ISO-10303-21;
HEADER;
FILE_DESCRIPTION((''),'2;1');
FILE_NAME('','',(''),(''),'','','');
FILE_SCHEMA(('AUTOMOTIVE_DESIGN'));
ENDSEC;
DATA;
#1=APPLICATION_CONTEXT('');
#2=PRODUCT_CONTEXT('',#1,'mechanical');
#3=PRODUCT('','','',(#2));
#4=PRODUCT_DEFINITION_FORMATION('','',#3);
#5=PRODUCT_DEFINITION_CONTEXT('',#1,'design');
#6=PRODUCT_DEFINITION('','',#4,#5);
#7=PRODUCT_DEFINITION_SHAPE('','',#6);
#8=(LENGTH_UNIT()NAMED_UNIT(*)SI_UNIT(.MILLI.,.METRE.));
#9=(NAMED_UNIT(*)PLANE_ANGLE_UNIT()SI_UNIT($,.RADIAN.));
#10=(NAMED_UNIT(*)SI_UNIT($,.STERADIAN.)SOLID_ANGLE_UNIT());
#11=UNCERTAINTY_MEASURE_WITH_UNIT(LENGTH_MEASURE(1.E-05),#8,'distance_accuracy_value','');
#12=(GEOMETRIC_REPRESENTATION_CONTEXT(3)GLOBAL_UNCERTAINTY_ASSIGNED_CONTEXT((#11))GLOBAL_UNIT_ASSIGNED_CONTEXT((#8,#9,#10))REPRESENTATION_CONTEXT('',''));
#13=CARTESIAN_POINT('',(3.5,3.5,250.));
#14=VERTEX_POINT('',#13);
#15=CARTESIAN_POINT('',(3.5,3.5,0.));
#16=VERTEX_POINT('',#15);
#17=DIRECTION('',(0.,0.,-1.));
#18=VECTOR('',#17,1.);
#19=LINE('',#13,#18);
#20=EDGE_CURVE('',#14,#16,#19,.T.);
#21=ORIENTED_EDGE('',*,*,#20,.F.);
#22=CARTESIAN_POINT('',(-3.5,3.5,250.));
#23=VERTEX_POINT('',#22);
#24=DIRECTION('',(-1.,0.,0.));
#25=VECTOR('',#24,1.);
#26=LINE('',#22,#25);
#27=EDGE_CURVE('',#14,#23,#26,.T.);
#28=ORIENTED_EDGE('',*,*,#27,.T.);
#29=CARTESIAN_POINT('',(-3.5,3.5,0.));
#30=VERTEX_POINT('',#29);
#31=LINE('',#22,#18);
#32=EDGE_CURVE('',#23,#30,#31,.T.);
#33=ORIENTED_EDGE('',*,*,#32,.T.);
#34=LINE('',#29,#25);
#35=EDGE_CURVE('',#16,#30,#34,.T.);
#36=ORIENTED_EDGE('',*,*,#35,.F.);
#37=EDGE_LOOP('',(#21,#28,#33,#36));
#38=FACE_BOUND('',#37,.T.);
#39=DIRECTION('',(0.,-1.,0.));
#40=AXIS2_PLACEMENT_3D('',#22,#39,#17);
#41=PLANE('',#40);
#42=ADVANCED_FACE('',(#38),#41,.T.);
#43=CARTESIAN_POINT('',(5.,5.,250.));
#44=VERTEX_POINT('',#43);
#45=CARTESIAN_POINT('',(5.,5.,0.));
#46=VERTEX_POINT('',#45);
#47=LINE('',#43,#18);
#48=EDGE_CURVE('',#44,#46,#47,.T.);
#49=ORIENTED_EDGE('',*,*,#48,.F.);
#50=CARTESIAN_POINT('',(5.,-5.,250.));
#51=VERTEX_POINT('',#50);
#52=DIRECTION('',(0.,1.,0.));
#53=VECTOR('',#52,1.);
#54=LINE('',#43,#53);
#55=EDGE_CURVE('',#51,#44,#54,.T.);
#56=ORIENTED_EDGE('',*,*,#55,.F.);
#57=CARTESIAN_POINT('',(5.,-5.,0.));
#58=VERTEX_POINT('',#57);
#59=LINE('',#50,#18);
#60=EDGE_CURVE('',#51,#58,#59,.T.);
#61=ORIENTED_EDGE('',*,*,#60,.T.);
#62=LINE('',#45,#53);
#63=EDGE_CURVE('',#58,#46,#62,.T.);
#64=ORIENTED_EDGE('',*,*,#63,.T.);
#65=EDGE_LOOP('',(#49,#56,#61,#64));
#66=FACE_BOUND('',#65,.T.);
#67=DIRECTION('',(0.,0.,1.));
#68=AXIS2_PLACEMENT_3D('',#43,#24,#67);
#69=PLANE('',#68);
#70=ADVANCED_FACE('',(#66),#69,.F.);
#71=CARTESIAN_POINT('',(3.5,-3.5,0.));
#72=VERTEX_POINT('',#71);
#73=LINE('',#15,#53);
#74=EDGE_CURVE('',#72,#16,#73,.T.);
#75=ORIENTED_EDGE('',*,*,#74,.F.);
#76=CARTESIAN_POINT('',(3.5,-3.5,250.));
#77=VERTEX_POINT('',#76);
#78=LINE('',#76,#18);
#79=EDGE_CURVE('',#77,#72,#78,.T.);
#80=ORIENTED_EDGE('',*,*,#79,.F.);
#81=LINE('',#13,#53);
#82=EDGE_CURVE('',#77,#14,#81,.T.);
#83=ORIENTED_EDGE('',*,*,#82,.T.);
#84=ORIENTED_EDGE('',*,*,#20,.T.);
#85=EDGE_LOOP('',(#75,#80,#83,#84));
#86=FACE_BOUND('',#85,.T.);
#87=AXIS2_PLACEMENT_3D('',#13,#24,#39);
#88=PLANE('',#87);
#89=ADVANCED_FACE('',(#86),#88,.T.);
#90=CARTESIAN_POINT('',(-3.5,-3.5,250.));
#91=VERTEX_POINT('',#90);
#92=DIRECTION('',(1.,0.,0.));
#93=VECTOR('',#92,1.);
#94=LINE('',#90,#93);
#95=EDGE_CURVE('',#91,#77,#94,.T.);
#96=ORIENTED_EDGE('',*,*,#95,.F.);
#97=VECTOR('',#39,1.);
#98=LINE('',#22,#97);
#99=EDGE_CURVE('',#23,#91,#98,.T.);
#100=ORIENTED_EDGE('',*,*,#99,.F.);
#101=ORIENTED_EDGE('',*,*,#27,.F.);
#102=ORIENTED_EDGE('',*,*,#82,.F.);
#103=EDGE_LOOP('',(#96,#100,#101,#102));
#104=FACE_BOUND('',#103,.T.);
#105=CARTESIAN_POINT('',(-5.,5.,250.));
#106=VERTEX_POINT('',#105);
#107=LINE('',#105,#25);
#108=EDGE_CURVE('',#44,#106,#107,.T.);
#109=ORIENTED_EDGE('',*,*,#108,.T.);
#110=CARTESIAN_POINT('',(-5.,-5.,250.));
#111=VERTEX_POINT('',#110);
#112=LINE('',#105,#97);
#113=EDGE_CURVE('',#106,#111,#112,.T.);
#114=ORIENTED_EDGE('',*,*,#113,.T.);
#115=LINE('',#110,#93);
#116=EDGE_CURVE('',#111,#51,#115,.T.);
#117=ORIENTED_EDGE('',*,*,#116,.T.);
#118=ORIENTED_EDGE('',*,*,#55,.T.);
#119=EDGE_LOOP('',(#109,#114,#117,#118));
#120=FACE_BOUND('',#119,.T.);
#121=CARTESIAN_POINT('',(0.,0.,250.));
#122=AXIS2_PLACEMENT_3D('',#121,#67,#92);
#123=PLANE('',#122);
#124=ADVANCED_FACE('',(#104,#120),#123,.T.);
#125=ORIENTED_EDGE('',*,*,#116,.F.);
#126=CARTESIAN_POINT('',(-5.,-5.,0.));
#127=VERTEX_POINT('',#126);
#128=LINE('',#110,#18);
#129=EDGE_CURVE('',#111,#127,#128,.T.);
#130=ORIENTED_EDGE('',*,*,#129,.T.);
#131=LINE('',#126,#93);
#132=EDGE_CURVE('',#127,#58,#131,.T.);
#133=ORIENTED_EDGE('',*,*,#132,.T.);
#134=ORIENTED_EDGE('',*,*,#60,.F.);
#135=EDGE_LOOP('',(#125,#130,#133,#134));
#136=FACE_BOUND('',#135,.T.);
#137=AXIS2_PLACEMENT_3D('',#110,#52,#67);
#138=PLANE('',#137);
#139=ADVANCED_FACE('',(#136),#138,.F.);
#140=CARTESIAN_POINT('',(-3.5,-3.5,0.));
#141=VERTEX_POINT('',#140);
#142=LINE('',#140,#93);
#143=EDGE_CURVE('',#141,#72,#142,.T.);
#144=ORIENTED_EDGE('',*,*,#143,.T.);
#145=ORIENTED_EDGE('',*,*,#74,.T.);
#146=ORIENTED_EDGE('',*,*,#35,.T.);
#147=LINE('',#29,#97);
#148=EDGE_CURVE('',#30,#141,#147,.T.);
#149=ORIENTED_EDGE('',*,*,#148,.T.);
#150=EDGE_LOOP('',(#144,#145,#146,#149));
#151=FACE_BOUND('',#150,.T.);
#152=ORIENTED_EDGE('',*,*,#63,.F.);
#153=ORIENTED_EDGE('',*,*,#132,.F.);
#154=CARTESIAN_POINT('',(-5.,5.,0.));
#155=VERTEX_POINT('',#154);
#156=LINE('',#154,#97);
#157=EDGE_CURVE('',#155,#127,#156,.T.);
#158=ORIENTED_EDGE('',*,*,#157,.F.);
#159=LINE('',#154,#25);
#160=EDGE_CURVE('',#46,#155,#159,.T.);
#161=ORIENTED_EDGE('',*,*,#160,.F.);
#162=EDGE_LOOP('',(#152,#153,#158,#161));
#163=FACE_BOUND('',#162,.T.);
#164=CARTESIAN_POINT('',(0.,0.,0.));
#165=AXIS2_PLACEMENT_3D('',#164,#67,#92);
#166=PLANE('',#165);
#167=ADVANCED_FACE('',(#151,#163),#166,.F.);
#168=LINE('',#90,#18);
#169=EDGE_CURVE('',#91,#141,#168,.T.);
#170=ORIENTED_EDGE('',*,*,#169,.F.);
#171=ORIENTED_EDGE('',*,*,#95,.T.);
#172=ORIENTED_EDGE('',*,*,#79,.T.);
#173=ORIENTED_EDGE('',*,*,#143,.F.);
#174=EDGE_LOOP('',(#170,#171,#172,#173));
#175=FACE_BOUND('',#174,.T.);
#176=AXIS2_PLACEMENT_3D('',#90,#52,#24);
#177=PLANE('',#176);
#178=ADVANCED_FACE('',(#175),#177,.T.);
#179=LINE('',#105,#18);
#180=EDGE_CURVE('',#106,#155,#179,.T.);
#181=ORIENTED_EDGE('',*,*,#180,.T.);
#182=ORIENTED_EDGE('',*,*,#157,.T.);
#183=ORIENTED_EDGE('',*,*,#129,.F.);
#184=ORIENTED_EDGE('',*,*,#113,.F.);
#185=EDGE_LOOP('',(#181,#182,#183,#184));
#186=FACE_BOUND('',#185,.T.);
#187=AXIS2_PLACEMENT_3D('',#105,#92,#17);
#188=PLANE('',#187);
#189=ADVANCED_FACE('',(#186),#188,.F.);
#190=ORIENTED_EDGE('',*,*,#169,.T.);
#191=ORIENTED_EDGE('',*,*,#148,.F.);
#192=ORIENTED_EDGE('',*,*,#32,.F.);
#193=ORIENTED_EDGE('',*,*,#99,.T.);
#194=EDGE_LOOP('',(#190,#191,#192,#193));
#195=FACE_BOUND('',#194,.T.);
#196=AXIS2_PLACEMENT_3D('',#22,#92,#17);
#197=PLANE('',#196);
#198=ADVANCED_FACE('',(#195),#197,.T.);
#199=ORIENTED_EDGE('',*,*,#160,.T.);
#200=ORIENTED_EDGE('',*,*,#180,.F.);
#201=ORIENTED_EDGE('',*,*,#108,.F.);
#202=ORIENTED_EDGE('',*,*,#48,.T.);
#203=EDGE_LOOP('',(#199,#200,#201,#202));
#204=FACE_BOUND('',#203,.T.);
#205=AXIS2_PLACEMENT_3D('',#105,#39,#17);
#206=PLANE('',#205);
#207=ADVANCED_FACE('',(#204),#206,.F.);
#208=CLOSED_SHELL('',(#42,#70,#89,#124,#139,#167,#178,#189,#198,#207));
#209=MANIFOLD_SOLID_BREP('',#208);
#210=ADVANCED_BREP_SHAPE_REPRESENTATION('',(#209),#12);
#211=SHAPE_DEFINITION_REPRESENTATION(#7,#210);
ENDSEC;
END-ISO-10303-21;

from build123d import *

# Parameters (mm, degrees)
SKETCH_1_W      = 10
SKETCH_1_H      = 10
SKETCH_1_W_2    = 7
SKETCH_1_H_2    = 7
EXTRUDE_1_DEPTH = 250


with BuildPart() as part:
    # 草图1 → 凸台-拉伸1 (new body)
    with BuildSketch(Plane.XY):
        Rectangle(SKETCH_1_W, SKETCH_1_H)
        Rectangle(SKETCH_1_W_2, SKETCH_1_H_2, mode=Mode.SUBTRACT)
    extrude(amount=EXTRUDE_1_DEPTH)


solid = part.part
